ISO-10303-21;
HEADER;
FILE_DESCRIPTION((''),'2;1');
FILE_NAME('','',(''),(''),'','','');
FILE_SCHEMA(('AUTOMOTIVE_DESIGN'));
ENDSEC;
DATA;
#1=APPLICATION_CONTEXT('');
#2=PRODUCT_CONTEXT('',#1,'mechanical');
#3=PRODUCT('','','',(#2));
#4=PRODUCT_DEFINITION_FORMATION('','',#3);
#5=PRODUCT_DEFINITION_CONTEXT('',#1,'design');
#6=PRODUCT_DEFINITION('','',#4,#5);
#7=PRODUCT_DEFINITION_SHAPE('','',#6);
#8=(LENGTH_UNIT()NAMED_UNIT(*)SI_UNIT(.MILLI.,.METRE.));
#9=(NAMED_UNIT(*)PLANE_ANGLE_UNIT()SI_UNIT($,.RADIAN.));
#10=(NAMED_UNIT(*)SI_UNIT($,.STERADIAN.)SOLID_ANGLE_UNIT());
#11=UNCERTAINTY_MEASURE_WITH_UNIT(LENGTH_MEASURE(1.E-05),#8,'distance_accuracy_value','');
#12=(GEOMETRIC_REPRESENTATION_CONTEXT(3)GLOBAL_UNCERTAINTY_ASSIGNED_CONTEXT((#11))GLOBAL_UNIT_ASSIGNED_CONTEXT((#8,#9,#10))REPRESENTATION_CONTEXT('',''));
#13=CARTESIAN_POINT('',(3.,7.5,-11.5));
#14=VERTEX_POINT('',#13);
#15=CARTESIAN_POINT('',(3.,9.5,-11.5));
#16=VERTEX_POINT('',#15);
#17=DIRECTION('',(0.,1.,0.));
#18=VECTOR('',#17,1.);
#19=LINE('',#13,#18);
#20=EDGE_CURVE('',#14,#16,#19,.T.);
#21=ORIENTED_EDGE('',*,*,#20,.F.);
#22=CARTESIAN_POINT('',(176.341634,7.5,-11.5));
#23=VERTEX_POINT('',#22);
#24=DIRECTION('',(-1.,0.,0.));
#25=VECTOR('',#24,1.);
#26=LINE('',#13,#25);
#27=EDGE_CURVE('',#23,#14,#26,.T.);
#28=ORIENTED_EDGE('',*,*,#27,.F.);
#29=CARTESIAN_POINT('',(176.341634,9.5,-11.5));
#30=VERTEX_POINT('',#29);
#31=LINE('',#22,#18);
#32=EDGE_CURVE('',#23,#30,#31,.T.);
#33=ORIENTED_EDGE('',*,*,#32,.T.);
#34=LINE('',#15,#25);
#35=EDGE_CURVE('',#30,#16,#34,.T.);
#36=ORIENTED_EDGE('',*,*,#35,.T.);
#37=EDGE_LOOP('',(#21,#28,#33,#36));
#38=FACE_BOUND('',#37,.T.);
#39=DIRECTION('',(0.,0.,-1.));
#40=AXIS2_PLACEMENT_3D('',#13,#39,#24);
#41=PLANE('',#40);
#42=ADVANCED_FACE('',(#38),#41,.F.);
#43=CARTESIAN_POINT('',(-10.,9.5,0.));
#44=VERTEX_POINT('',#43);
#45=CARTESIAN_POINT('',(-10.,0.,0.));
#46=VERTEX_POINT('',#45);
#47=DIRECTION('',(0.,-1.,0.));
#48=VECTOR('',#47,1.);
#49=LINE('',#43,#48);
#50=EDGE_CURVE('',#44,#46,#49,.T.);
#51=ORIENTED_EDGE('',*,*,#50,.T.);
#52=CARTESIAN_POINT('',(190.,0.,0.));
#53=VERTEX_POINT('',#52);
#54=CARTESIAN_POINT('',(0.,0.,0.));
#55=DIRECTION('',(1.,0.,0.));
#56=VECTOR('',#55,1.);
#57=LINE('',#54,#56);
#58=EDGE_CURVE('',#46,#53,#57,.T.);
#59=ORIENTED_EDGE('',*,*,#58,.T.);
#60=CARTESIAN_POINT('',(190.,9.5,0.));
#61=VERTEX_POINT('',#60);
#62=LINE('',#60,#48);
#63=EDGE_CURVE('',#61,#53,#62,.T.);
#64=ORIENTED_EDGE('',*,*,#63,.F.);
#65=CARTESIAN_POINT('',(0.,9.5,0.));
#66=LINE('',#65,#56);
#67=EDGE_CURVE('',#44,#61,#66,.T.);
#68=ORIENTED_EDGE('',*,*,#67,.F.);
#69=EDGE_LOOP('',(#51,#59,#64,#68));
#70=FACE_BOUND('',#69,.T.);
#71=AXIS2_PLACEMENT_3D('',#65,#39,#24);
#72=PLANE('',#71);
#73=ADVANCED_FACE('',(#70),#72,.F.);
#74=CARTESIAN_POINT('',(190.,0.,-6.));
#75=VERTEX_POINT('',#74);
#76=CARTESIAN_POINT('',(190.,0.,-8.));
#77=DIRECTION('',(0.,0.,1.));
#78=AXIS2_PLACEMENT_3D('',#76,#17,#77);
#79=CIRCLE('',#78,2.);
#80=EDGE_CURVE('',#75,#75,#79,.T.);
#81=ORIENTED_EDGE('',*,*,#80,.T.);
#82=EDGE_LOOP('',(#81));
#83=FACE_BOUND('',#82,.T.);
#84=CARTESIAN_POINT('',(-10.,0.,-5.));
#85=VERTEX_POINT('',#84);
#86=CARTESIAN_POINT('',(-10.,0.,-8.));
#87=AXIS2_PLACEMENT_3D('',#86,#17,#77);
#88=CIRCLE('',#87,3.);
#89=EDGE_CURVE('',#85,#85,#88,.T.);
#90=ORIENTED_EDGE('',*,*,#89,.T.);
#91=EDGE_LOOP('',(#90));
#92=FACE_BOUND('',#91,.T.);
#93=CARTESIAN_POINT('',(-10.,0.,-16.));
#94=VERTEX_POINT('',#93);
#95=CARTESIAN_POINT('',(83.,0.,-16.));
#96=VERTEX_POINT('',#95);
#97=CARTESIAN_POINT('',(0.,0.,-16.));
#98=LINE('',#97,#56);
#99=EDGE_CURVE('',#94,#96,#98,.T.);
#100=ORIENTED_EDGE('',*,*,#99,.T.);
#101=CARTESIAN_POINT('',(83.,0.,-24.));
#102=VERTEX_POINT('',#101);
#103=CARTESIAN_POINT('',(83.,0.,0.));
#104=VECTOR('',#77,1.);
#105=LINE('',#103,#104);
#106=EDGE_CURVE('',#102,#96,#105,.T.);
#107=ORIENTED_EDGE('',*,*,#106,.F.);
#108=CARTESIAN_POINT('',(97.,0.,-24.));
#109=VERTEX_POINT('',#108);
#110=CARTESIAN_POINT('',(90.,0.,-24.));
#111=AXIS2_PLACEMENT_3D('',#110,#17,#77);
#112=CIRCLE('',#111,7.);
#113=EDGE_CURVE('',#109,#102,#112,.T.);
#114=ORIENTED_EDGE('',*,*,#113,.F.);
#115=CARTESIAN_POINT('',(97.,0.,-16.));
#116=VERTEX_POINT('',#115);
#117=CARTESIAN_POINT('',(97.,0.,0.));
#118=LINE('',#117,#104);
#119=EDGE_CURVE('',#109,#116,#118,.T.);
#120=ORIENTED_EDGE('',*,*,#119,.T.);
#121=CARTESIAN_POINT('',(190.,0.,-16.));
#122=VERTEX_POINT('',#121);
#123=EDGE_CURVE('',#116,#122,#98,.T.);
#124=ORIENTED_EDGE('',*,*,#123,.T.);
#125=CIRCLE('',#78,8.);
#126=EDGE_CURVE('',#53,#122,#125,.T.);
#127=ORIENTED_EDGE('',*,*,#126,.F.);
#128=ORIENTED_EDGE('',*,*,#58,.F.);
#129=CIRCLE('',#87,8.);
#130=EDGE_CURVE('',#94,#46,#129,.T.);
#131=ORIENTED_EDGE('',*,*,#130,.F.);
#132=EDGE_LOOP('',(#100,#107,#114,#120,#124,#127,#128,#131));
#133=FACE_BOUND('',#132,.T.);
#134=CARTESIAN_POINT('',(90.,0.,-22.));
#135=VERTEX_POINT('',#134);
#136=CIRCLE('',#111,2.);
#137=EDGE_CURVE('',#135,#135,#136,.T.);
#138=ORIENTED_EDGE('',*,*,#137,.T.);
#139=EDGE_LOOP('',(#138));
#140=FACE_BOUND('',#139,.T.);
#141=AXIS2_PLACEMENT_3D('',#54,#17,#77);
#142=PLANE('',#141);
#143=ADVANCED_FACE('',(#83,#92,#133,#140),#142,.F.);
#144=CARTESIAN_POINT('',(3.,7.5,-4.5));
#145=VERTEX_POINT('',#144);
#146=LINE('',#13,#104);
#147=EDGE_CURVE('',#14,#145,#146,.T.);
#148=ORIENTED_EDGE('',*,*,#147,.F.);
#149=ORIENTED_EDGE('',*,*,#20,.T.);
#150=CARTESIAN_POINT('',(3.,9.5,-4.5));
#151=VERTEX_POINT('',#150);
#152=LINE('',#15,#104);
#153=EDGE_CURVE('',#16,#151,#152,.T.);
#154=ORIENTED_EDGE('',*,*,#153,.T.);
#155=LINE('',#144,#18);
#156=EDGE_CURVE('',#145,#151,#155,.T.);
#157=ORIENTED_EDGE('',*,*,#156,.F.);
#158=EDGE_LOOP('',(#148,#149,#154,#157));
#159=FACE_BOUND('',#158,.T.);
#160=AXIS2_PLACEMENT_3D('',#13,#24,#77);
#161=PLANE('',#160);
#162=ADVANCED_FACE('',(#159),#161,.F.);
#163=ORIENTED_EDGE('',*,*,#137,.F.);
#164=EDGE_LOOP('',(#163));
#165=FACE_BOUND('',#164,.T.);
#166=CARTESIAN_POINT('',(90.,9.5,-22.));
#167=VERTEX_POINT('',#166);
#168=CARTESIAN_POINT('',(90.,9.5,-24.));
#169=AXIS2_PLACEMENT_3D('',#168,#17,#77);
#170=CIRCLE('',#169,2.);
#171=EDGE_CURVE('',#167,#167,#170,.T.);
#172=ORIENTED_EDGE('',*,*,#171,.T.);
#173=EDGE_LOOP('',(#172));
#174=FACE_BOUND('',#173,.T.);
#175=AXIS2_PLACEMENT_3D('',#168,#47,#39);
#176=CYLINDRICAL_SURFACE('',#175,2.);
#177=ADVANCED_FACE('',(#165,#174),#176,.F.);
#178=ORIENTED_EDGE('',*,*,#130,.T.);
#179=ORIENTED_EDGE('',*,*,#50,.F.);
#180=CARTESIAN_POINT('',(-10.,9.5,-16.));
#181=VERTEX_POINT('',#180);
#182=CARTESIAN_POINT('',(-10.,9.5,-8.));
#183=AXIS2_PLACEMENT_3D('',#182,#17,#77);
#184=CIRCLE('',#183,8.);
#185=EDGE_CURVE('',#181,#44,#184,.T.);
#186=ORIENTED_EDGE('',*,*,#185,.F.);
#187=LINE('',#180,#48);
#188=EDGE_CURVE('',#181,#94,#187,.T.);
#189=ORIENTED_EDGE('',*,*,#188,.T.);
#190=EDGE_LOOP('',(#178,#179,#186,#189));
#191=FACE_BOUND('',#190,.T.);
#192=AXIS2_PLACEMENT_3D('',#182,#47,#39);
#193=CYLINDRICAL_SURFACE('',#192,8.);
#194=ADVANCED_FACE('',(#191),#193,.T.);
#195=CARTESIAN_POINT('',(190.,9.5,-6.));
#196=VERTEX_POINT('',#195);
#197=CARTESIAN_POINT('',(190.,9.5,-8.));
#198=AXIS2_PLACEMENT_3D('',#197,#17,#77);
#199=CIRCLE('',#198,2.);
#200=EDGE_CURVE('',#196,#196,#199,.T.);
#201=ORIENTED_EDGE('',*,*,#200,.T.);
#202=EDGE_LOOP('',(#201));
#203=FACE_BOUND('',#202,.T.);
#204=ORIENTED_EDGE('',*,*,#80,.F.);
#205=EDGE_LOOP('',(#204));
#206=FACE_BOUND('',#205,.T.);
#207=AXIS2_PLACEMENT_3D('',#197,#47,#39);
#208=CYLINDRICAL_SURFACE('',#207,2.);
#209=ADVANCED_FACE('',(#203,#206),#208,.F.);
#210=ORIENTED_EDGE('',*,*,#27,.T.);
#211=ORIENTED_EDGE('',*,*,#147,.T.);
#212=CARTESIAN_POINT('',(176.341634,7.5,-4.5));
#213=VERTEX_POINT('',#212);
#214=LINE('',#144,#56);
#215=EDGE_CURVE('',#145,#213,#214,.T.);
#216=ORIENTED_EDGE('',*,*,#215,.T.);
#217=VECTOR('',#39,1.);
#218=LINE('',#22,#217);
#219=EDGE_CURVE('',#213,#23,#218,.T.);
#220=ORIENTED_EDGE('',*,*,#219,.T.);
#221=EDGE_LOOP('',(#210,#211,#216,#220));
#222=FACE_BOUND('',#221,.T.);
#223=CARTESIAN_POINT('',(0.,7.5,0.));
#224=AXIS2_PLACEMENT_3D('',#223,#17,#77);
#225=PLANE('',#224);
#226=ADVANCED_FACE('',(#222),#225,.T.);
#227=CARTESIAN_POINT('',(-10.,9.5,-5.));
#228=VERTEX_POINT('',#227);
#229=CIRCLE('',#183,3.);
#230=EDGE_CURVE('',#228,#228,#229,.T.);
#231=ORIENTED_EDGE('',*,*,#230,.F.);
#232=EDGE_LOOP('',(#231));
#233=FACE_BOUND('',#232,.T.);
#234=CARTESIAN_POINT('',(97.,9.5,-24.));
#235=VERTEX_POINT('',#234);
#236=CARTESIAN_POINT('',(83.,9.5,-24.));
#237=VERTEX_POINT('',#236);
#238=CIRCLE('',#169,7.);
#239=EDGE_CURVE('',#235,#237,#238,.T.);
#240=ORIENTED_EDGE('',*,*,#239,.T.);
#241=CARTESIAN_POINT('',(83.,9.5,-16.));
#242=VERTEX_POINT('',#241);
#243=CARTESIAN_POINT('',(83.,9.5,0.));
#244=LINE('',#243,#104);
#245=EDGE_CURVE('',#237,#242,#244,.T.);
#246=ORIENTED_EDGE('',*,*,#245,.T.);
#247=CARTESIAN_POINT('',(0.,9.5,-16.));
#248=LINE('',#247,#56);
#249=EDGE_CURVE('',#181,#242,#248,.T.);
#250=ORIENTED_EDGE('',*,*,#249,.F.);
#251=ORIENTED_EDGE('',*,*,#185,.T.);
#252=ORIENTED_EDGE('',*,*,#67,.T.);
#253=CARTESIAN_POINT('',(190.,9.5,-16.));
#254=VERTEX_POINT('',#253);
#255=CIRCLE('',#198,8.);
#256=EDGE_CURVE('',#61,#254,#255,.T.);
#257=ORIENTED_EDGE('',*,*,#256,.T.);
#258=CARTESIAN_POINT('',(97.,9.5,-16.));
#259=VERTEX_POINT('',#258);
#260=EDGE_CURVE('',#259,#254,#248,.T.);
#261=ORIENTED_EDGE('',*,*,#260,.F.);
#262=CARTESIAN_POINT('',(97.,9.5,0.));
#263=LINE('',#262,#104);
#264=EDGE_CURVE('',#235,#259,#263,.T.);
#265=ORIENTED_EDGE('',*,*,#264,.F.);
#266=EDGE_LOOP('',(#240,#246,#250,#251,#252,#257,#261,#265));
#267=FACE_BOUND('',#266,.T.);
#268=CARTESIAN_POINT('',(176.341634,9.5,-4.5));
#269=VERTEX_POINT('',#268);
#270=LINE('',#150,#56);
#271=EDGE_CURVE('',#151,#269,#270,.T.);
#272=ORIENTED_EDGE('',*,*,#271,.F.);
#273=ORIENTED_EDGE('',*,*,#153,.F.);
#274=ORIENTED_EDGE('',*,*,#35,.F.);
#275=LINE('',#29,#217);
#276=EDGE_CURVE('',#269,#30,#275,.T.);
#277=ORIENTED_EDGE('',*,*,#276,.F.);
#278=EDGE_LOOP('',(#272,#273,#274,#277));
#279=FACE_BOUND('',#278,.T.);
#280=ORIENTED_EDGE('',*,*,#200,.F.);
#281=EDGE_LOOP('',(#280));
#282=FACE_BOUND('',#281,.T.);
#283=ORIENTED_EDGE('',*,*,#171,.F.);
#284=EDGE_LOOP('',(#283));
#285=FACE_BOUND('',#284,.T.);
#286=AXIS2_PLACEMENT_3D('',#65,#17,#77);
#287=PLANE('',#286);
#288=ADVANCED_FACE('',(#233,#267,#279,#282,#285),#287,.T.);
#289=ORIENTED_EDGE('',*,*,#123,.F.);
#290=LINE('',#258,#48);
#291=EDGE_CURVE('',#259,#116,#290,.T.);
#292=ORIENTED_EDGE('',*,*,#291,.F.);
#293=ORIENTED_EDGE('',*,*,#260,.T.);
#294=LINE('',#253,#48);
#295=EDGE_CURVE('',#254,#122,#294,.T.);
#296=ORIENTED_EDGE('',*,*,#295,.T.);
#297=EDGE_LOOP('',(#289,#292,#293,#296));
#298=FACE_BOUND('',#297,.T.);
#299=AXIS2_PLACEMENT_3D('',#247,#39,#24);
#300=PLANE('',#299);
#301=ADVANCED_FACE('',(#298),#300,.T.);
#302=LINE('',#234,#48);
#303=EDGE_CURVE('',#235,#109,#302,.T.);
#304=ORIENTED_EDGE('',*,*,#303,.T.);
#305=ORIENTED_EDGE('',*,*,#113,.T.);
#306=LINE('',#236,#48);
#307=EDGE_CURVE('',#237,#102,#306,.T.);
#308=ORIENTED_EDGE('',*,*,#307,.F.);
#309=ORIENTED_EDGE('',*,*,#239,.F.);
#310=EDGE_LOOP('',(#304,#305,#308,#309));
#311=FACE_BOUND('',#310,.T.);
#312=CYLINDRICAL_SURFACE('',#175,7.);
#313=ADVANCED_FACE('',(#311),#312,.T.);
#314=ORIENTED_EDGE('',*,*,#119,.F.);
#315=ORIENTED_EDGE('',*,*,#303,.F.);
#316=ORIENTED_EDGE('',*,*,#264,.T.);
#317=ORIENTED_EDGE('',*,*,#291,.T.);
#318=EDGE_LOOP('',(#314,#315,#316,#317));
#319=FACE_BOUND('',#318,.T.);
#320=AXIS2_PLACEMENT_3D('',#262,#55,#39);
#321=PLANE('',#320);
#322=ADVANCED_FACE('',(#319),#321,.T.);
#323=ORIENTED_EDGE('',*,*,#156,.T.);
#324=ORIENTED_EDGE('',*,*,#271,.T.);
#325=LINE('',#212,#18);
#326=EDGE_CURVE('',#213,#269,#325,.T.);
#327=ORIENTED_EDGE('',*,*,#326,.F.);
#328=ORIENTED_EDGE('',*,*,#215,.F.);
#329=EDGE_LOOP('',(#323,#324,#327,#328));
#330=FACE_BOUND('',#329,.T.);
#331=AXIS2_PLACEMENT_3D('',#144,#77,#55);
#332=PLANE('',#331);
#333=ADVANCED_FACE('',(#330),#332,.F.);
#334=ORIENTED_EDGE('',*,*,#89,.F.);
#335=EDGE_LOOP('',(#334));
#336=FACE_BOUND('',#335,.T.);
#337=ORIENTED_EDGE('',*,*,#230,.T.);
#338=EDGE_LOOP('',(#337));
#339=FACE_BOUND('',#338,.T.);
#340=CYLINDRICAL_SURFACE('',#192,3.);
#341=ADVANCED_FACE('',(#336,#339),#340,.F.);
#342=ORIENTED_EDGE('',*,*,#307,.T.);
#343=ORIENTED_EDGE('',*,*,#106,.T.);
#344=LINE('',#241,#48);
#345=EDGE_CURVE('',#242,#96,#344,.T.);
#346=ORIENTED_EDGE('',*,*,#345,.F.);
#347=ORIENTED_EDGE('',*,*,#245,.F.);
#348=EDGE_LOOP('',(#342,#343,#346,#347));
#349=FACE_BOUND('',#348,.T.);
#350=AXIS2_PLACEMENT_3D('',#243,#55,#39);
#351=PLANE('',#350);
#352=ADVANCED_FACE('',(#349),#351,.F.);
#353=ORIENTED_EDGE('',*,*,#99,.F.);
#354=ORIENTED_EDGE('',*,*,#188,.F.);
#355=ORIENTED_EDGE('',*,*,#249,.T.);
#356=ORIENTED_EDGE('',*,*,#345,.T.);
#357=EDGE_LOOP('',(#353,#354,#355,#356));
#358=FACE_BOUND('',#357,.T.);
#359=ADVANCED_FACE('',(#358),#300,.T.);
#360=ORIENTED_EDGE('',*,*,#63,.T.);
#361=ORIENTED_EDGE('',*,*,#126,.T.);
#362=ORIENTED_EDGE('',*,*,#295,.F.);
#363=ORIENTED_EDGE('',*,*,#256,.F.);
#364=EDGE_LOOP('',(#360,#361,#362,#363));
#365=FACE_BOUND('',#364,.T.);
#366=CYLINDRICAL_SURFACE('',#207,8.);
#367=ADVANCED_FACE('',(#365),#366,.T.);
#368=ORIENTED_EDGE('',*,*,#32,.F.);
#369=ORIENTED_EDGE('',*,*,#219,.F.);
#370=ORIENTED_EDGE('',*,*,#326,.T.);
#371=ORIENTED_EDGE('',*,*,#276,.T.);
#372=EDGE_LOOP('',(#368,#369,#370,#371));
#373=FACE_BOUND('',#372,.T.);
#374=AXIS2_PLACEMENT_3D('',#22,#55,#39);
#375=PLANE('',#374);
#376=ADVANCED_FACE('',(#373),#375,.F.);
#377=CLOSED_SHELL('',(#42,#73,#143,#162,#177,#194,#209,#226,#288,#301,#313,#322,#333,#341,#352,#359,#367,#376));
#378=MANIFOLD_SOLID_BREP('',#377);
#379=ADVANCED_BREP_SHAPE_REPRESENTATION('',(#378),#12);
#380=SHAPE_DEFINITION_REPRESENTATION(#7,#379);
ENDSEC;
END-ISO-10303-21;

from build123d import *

# Parameters (mm, degrees)
SKETCH1_R           = 2
SKETCH1_R_2         = 3
BOSS_EXTRUDE1_DEPTH = 9.5
SKETCH2_W           = 173.341634435
SKETCH2_H           = 7
CUT_EXTRUDE1_DEPTH  = 2


with BuildPart() as part:
    # Sketch1 → Boss-Extrude1 (new body)
    with BuildSketch(Plane(origin=(0, 0, 0), x_dir=(1, 0, 0), z_dir=(0, 1, 0))):
        with BuildLine():
            Line((97, 16), (97, 24))
            ThreePointArc((97, 24), (90, 31), (83, 24))
            Line((83, 24), (83, 16))
            Line((83, 16), (-10, 16))
            ThreePointArc((-10, 16), (-18, 8), (-10, 0))
            Line((-10, 0), (190, 0))
            ThreePointArc((190, 0), (198, 8), (190, 16))
            Line((190, 16), (97, 16))
        make_face()
        with Locations(Location((90, 24, 0), (0, 0, 270))):
            Circle(SKETCH1_R, mode=Mode.SUBTRACT)
        with Locations(Location((-10, 8, 0), (0, 0, 270))):
            Circle(SKETCH1_R_2, mode=Mode.SUBTRACT)
        with Locations(Location((190, 8, 0), (0, 0, 270))):
            Circle(SKETCH1_R, mode=Mode.SUBTRACT)
    extrude(amount=BOSS_EXTRUDE1_DEPTH)

    # Sketch2 → Cut-Extrude1 (cut)
    with BuildSketch(Plane(origin=(0, 9.5, 0), x_dir=(1, 0, 0), z_dir=(0, 1, 0))):
        with Locations((89.670817218, 8)):
            Rectangle(SKETCH2_W, SKETCH2_H)
    extrude(amount=-CUT_EXTRUDE1_DEPTH, mode=Mode.SUBTRACT)


solid = part.part
